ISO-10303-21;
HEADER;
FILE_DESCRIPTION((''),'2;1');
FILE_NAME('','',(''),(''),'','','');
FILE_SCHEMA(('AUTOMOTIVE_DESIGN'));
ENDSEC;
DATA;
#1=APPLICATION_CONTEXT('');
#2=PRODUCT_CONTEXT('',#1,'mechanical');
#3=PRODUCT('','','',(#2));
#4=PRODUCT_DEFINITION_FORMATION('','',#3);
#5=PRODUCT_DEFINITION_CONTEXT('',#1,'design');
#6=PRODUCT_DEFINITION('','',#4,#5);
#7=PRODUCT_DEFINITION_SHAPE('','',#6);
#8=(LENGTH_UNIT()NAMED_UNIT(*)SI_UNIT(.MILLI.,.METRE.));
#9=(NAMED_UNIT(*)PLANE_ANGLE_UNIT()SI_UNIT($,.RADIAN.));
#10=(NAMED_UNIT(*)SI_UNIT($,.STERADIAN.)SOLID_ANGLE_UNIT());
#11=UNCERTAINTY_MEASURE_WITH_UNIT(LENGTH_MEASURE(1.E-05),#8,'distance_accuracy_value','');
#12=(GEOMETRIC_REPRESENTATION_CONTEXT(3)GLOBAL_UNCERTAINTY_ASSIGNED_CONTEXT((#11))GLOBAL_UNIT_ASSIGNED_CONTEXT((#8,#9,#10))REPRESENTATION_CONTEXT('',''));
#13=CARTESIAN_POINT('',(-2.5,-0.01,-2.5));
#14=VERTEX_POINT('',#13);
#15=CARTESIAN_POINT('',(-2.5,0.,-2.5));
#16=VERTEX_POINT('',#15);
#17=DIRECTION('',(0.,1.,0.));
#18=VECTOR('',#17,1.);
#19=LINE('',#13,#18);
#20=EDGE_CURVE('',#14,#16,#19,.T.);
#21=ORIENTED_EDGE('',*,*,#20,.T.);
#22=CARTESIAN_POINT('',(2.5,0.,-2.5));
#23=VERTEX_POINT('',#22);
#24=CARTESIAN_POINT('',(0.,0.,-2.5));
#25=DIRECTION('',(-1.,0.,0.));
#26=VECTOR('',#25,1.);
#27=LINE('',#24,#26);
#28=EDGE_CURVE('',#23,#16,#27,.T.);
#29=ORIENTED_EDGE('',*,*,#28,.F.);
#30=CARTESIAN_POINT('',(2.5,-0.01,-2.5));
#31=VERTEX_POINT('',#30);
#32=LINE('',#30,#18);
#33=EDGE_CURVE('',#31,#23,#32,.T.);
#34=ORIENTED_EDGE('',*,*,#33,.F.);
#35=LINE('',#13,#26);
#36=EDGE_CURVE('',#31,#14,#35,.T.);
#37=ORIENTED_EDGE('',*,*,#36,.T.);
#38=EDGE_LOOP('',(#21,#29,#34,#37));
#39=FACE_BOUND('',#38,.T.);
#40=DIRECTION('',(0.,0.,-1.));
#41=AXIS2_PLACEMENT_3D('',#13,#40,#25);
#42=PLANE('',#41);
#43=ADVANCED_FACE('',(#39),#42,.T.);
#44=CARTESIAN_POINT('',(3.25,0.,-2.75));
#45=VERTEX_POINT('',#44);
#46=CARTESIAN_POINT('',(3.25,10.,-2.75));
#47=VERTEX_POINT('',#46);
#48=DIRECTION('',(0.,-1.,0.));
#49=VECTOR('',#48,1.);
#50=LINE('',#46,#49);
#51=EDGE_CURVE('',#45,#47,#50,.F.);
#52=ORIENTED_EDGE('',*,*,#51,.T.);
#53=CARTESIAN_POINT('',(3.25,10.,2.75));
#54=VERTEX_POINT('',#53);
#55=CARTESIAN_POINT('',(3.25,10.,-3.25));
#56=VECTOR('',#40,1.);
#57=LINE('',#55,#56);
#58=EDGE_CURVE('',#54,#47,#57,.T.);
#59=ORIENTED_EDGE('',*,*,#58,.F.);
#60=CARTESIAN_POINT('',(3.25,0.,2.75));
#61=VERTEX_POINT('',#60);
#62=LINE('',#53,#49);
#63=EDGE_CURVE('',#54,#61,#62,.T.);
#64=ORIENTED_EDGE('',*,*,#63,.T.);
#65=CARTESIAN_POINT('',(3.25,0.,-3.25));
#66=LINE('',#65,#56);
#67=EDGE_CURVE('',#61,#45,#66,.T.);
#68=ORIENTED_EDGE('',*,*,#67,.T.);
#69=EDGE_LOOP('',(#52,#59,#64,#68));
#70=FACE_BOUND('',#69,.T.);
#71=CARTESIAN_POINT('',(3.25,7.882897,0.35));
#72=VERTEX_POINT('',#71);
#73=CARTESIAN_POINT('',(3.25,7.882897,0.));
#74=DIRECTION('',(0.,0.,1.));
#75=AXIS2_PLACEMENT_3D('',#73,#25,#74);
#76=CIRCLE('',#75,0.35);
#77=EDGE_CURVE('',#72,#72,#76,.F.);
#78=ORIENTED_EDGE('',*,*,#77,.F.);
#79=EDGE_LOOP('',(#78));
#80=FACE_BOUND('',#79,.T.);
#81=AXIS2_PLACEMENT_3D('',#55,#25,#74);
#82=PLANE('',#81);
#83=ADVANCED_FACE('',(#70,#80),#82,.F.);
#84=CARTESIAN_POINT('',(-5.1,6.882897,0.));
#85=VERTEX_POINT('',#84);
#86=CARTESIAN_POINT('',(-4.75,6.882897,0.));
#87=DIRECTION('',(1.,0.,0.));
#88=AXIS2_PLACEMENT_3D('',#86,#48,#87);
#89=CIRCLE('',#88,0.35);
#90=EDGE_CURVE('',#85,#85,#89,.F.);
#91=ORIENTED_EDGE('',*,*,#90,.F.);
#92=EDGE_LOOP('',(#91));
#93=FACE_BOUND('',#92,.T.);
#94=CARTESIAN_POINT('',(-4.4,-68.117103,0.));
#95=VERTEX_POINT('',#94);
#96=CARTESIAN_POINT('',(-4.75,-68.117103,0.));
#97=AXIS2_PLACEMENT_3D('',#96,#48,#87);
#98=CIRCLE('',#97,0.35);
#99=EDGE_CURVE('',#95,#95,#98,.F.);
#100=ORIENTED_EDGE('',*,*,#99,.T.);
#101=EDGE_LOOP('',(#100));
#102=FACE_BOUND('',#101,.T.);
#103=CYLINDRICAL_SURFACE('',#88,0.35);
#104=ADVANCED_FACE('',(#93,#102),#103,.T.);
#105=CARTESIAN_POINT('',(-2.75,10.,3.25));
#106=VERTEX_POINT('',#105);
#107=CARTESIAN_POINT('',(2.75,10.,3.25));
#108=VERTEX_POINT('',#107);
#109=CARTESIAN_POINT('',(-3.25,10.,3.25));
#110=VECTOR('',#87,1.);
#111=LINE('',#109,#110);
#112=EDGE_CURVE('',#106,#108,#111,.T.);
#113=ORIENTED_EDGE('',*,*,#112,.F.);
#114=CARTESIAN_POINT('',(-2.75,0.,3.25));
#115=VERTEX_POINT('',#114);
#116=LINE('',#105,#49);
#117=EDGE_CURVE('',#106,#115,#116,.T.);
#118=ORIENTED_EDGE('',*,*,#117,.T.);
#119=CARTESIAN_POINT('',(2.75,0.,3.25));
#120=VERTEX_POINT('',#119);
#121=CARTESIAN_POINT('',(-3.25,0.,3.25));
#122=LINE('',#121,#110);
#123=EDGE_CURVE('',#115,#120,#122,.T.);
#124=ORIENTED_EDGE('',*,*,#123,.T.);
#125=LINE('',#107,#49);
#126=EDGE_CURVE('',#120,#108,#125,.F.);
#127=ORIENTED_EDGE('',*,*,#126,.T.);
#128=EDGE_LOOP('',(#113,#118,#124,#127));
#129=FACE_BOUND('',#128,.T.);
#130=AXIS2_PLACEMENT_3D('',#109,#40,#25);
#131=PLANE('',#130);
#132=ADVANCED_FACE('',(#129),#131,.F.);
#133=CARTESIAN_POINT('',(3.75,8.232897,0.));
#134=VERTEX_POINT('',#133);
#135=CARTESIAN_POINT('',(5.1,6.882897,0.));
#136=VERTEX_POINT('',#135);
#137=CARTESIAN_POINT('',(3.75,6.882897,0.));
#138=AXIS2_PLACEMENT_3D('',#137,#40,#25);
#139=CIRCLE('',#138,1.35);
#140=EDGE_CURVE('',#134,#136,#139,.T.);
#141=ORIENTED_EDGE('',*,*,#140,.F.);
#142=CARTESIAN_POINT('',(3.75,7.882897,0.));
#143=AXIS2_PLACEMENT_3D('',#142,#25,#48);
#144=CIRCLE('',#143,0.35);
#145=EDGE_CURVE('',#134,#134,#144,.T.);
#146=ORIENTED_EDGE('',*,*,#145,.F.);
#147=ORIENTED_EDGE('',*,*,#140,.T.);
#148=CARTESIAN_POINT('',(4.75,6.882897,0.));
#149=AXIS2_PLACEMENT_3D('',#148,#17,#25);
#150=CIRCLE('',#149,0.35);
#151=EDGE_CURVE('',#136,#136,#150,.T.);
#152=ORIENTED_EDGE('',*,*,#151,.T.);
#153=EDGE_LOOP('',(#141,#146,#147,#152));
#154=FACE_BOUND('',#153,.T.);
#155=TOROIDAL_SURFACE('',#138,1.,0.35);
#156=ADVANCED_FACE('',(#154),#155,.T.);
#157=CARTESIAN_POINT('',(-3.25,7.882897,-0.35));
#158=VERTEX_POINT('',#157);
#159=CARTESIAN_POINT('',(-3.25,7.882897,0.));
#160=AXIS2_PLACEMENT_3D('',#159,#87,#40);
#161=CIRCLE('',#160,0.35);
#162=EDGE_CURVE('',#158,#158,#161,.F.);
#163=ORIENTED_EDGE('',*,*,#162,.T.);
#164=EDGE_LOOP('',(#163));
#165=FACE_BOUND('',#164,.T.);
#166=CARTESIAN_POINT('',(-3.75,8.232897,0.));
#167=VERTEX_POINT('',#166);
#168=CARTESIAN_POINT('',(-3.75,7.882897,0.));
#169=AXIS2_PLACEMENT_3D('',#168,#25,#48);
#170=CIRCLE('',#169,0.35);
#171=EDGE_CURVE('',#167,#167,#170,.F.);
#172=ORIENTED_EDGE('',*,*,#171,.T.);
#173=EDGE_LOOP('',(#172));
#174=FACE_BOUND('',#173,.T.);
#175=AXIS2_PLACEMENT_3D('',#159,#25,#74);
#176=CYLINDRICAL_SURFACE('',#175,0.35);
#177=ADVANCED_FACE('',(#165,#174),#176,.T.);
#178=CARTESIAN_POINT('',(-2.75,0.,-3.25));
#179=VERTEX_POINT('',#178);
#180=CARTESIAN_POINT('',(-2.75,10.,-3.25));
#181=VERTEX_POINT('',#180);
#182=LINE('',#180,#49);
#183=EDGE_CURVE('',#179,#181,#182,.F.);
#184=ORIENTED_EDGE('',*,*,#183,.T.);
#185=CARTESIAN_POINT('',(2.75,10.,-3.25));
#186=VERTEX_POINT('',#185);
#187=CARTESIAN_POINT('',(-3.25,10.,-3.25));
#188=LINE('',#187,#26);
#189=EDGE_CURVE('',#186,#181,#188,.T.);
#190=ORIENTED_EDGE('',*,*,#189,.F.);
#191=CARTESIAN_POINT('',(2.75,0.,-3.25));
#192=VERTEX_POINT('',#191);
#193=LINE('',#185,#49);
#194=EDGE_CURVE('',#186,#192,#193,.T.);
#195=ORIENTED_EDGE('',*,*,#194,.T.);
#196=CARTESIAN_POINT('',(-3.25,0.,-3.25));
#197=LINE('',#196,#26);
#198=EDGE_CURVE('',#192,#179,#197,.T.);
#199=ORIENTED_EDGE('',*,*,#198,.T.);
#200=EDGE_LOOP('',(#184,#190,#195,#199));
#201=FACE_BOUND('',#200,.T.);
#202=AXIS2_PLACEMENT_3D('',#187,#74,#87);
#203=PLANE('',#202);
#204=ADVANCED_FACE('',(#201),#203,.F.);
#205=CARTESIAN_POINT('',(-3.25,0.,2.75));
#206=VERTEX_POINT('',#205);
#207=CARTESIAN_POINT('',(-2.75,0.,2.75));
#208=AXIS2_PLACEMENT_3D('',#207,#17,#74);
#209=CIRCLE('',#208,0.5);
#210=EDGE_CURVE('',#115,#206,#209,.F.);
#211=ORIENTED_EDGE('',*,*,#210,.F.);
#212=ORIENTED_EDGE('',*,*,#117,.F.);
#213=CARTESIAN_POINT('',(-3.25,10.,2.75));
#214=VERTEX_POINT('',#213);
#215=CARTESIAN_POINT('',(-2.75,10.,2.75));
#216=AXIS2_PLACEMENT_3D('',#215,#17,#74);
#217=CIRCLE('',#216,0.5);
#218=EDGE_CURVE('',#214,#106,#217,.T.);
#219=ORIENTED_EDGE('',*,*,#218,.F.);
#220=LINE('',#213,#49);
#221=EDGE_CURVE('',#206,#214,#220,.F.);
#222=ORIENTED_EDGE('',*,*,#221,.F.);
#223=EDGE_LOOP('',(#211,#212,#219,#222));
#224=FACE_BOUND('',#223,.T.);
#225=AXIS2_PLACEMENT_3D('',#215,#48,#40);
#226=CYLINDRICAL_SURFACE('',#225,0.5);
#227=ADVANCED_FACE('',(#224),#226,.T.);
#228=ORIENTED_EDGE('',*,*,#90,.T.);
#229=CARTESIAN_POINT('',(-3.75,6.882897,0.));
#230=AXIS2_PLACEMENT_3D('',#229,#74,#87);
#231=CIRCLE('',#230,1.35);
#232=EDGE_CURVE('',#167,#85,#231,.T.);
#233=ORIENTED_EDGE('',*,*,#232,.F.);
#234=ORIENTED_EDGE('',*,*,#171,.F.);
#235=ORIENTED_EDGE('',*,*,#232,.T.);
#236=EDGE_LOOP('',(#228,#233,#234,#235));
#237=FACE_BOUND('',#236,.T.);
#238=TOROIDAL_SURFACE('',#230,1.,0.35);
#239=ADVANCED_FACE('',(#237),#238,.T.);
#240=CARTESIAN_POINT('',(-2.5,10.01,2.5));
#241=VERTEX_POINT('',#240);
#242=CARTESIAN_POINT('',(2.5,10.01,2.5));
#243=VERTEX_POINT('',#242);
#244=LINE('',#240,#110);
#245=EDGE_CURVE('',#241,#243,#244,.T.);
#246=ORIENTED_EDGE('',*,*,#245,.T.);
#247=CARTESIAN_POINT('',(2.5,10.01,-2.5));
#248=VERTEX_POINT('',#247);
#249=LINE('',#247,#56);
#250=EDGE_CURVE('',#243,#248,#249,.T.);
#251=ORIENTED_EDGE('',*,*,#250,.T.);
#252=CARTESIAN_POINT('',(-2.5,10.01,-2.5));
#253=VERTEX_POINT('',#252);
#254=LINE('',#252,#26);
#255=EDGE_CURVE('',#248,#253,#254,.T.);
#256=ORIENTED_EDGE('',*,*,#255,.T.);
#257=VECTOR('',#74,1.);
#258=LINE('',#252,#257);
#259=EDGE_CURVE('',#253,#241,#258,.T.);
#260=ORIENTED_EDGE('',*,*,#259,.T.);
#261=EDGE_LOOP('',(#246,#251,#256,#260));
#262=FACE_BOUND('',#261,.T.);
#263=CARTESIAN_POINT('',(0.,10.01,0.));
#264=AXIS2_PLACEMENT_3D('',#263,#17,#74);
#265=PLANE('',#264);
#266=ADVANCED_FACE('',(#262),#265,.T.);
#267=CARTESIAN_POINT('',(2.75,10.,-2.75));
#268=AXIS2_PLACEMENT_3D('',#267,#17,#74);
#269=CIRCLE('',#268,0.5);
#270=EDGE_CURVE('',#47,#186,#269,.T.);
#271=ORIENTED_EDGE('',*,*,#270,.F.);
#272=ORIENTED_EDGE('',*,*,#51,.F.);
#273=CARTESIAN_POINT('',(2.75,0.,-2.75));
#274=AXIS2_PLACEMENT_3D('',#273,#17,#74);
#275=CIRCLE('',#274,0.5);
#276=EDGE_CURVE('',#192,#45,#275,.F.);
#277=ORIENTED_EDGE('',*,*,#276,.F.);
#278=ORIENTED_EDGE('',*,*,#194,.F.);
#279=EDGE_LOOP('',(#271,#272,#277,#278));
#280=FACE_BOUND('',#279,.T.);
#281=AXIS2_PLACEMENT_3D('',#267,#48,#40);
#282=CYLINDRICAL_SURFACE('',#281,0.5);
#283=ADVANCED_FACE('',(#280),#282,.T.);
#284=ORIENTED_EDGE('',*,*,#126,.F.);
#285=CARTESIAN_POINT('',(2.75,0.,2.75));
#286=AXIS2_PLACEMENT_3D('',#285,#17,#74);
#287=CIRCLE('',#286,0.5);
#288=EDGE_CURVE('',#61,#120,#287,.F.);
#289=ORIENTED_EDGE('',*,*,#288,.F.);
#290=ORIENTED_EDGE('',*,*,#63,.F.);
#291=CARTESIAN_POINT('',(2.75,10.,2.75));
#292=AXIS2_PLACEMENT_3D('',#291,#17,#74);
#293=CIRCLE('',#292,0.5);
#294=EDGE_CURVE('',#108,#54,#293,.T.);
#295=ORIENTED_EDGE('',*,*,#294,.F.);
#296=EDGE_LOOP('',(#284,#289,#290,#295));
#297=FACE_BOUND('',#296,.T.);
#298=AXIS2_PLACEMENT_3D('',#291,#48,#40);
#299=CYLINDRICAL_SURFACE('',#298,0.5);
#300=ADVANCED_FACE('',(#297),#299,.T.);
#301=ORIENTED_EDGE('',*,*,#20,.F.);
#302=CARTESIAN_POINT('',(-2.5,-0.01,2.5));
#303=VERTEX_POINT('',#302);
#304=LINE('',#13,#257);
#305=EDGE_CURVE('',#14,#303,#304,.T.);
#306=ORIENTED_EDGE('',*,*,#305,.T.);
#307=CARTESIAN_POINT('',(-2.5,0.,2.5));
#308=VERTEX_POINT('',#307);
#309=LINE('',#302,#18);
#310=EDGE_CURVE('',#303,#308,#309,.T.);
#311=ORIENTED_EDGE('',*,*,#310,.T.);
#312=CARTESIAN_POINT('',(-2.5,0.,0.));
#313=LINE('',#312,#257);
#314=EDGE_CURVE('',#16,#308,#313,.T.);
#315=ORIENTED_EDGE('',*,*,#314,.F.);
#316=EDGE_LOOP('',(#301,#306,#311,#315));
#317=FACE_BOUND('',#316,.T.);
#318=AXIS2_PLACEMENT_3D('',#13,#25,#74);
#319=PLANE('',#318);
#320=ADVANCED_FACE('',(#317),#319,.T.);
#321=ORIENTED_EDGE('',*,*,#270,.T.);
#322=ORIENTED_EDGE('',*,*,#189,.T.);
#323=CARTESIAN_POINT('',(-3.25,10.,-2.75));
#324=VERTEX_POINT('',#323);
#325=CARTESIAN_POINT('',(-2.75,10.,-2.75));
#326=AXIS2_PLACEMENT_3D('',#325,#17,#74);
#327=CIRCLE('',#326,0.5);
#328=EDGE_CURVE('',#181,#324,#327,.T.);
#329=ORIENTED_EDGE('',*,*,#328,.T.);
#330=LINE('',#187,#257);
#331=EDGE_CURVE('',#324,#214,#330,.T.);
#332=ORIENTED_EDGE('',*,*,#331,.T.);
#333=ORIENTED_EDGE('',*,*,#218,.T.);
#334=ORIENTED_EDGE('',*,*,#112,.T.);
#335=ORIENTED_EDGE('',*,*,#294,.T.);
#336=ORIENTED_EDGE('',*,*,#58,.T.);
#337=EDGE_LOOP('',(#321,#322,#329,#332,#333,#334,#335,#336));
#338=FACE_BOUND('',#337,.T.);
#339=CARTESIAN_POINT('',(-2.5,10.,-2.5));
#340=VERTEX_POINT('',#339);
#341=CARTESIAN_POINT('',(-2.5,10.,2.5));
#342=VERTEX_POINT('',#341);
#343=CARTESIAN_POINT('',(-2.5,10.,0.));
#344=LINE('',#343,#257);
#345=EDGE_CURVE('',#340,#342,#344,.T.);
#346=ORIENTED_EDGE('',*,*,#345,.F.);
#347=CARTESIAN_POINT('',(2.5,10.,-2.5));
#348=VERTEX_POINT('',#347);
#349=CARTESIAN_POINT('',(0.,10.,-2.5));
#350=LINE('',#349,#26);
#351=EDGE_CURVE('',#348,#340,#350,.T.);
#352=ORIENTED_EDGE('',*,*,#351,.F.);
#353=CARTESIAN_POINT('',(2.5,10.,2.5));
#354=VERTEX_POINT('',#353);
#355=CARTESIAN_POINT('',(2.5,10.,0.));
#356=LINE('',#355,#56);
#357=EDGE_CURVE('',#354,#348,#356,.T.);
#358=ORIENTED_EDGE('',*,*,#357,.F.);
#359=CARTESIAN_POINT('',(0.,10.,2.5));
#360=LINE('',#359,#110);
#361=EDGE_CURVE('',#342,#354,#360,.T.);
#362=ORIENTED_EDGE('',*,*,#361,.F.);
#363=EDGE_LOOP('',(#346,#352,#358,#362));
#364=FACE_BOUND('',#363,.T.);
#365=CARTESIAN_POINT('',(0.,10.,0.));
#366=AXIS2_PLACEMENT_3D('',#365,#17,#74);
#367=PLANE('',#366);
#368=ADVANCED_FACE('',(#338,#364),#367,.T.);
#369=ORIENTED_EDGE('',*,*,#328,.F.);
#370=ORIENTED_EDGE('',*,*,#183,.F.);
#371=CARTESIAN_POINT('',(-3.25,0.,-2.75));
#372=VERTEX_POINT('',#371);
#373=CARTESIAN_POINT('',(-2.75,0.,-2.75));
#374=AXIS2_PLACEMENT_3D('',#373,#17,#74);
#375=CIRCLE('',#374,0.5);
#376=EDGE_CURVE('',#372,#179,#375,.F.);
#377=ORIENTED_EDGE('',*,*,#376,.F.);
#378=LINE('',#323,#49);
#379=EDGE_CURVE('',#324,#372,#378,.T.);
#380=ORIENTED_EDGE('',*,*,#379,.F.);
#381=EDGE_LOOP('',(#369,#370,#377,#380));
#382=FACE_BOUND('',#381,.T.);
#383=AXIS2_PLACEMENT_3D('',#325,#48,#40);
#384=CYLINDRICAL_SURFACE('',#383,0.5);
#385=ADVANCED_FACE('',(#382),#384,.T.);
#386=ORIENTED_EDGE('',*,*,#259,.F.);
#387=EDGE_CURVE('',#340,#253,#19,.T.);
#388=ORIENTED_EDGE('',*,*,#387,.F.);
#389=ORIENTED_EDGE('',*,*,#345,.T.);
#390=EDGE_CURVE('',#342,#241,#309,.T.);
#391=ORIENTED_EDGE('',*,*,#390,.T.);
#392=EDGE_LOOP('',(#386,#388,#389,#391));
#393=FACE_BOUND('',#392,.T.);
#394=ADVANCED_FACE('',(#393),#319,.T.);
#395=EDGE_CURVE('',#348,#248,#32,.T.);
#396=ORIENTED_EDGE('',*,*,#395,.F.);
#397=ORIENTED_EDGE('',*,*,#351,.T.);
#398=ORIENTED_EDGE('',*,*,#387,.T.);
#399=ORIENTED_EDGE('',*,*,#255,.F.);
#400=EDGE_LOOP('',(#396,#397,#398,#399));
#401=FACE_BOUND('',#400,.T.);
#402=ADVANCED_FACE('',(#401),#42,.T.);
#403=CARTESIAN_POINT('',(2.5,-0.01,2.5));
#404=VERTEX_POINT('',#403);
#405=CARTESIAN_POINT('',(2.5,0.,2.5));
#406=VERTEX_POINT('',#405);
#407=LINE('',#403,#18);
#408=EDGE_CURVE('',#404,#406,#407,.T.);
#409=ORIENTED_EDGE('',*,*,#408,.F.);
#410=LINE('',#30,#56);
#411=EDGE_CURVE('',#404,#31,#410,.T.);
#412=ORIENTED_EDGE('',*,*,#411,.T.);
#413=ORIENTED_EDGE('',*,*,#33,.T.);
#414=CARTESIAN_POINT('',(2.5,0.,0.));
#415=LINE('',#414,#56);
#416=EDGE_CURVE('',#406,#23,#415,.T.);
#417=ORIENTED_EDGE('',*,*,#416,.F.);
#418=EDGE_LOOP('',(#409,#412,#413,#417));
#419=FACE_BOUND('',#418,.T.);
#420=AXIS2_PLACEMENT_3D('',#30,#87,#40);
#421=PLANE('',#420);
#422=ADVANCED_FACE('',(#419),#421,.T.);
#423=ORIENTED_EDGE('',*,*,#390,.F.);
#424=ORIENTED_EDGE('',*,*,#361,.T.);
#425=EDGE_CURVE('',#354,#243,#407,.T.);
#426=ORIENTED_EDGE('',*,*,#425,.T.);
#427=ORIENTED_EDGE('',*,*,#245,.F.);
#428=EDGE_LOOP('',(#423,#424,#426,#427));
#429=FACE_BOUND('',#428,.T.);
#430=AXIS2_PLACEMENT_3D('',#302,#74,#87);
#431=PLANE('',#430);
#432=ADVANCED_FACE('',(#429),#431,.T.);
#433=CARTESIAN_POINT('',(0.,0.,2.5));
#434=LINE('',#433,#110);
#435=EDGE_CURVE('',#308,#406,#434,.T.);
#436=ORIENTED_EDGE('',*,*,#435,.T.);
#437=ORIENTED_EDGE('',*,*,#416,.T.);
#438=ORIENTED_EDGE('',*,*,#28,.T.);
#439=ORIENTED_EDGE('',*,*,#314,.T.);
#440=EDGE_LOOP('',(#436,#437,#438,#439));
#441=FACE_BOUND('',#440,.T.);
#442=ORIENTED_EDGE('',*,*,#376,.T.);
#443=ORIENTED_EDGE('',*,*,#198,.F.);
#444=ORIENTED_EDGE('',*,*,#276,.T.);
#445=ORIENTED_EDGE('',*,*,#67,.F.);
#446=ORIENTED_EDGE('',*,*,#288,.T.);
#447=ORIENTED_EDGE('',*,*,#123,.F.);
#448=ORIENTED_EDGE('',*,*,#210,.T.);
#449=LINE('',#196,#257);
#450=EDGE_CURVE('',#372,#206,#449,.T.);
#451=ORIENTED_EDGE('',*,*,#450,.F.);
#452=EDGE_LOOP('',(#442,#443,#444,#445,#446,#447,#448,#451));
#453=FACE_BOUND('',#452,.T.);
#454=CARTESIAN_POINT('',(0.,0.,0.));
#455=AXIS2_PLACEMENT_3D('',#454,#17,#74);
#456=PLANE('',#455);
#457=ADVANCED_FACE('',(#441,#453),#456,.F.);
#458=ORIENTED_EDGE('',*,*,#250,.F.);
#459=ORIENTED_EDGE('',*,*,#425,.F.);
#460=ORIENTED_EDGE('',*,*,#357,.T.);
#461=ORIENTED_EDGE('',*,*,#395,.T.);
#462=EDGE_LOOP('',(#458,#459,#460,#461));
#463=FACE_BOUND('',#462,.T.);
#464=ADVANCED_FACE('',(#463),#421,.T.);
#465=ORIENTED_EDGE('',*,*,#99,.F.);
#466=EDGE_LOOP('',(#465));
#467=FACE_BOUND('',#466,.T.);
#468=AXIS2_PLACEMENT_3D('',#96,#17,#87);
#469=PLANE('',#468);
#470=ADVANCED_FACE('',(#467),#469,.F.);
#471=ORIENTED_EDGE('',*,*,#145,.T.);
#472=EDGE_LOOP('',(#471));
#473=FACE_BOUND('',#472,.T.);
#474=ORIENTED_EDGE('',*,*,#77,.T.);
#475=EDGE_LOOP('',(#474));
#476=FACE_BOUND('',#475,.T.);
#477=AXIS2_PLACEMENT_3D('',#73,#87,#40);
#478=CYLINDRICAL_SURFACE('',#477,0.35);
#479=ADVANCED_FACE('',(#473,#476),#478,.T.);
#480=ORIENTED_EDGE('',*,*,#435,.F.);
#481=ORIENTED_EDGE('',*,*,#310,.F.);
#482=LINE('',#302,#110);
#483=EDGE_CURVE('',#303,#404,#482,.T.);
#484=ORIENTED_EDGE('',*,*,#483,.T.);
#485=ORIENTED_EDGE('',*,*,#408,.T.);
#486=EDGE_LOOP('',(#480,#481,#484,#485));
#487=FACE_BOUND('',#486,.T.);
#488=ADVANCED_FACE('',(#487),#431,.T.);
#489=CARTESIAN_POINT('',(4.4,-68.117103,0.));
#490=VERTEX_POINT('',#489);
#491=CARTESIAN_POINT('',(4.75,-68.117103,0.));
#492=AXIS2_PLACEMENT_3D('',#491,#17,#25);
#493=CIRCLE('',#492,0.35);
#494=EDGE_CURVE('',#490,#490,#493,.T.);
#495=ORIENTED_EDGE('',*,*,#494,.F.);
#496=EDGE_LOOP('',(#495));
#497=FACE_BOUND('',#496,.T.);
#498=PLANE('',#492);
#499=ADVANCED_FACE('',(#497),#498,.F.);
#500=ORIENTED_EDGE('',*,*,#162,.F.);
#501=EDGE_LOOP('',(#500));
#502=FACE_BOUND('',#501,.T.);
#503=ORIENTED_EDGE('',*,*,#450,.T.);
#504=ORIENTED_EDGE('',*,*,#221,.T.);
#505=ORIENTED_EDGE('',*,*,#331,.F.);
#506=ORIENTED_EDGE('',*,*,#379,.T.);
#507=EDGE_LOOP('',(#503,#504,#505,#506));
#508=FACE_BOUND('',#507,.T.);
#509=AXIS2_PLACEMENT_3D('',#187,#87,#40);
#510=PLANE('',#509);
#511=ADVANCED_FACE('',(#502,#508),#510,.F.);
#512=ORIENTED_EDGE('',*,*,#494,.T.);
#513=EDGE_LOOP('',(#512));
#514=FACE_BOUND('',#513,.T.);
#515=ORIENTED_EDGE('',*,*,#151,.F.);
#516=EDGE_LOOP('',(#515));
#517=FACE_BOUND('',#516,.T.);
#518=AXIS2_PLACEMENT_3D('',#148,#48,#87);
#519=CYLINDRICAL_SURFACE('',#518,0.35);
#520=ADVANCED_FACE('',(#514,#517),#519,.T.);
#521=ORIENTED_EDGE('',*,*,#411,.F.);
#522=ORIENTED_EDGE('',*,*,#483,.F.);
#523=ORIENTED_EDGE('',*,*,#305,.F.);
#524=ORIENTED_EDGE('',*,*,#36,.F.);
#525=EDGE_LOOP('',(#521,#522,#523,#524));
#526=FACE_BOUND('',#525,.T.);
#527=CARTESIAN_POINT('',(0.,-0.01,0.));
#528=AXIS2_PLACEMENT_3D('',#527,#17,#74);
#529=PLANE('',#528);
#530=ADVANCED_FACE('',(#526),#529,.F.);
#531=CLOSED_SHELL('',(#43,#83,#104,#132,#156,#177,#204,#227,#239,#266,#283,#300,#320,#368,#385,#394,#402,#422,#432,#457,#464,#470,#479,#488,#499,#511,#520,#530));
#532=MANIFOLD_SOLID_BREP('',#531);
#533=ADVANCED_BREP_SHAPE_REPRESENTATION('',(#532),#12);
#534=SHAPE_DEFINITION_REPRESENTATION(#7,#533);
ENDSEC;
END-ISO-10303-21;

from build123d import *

# Parameters (mm, degrees)
SKETCH1_W                = 6.5
SKETCH1_H                = 6.5
BOSS_EXTRUDE1_DEPTH      = 10
SKETCH2_W                = 5
SKETCH2_H                = 5
BOSS_EXTRUDE2_DEPTH      = 10.01
BOSS_EXTRUDE2_DEPTH_BACK = 0.01
SWEEP2_PROFILE_R         = 0.35
FILLET2_R                = 0.5


with BuildPart() as part:
    # Sketch1 → Boss-Extrude1 (new body)
    with BuildSketch(Plane(origin=(0, 0, 0), x_dir=(1, 0, 0), z_dir=(0, 1, 0))):
        Rectangle(SKETCH1_W, SKETCH1_H)
    boss_extrude1 = extrude(amount=BOSS_EXTRUDE1_DEPTH)

    # Sketch2 → Boss-Extrude2 (add, two sides)
    with BuildSketch(Plane(origin=(0, 0, 0), x_dir=(1, 0, 0), z_dir=(0, 1, 0))) as boss_extrude2_sk:
        Rectangle(SKETCH2_W, SKETCH2_H)
    extrude(amount=BOSS_EXTRUDE2_DEPTH)
    extrude(boss_extrude2_sk.sketch, amount=-BOSS_EXTRUDE2_DEPTH_BACK)

    # Sweep2: sweep along a path in Sketch4
    with BuildLine(Plane.XY) as sweep2_path:
        Line((3.2, 7.882896733), (3.25, 7.882896733))
        Line((3.25, 7.882896733), (3.75, 7.882896733))
        ThreePointArc((3.75, 7.882896733), (4.457106781, 7.590003514), (4.75, 6.882896733))
        Line((4.75, 6.882896733), (4.75, -68.117103267))
    # Sweep2 profile (on start of the path) → Sweep2 (sweep)
    with BuildSketch(Plane(origin=(3.2, 7.882896733, 0), x_dir=(0, 0, 1), z_dir=(1, 0, 0))):
        Circle(SWEEP2_PROFILE_R)
    sweep2 = sweep(path=sweep2_path.line)

    # Mirror1: Boss-Extrude1, Sweep2 across plane
    add(boss_extrude1.mirror(Plane(origin=(0, 0, 0), x_dir=(0, 0, 1), z_dir=(1, 0, 0))))
    add(sweep2.mirror(Plane(origin=(0, 0, 0), x_dir=(0, 0, 1), z_dir=(1, 0, 0))))

    # Fillet2
    fillet2_edges = [part.edges().sort_by_distance(p)[0] for p in [
        (3.25, 5, 3.25),
        (-3.25, 5, 3.25),
        (-3.25, 5, -3.25),
        (3.25, 5, -3.25),
    ]]
    fillet(fillet2_edges, radius=FILLET2_R)


solid = part.part
